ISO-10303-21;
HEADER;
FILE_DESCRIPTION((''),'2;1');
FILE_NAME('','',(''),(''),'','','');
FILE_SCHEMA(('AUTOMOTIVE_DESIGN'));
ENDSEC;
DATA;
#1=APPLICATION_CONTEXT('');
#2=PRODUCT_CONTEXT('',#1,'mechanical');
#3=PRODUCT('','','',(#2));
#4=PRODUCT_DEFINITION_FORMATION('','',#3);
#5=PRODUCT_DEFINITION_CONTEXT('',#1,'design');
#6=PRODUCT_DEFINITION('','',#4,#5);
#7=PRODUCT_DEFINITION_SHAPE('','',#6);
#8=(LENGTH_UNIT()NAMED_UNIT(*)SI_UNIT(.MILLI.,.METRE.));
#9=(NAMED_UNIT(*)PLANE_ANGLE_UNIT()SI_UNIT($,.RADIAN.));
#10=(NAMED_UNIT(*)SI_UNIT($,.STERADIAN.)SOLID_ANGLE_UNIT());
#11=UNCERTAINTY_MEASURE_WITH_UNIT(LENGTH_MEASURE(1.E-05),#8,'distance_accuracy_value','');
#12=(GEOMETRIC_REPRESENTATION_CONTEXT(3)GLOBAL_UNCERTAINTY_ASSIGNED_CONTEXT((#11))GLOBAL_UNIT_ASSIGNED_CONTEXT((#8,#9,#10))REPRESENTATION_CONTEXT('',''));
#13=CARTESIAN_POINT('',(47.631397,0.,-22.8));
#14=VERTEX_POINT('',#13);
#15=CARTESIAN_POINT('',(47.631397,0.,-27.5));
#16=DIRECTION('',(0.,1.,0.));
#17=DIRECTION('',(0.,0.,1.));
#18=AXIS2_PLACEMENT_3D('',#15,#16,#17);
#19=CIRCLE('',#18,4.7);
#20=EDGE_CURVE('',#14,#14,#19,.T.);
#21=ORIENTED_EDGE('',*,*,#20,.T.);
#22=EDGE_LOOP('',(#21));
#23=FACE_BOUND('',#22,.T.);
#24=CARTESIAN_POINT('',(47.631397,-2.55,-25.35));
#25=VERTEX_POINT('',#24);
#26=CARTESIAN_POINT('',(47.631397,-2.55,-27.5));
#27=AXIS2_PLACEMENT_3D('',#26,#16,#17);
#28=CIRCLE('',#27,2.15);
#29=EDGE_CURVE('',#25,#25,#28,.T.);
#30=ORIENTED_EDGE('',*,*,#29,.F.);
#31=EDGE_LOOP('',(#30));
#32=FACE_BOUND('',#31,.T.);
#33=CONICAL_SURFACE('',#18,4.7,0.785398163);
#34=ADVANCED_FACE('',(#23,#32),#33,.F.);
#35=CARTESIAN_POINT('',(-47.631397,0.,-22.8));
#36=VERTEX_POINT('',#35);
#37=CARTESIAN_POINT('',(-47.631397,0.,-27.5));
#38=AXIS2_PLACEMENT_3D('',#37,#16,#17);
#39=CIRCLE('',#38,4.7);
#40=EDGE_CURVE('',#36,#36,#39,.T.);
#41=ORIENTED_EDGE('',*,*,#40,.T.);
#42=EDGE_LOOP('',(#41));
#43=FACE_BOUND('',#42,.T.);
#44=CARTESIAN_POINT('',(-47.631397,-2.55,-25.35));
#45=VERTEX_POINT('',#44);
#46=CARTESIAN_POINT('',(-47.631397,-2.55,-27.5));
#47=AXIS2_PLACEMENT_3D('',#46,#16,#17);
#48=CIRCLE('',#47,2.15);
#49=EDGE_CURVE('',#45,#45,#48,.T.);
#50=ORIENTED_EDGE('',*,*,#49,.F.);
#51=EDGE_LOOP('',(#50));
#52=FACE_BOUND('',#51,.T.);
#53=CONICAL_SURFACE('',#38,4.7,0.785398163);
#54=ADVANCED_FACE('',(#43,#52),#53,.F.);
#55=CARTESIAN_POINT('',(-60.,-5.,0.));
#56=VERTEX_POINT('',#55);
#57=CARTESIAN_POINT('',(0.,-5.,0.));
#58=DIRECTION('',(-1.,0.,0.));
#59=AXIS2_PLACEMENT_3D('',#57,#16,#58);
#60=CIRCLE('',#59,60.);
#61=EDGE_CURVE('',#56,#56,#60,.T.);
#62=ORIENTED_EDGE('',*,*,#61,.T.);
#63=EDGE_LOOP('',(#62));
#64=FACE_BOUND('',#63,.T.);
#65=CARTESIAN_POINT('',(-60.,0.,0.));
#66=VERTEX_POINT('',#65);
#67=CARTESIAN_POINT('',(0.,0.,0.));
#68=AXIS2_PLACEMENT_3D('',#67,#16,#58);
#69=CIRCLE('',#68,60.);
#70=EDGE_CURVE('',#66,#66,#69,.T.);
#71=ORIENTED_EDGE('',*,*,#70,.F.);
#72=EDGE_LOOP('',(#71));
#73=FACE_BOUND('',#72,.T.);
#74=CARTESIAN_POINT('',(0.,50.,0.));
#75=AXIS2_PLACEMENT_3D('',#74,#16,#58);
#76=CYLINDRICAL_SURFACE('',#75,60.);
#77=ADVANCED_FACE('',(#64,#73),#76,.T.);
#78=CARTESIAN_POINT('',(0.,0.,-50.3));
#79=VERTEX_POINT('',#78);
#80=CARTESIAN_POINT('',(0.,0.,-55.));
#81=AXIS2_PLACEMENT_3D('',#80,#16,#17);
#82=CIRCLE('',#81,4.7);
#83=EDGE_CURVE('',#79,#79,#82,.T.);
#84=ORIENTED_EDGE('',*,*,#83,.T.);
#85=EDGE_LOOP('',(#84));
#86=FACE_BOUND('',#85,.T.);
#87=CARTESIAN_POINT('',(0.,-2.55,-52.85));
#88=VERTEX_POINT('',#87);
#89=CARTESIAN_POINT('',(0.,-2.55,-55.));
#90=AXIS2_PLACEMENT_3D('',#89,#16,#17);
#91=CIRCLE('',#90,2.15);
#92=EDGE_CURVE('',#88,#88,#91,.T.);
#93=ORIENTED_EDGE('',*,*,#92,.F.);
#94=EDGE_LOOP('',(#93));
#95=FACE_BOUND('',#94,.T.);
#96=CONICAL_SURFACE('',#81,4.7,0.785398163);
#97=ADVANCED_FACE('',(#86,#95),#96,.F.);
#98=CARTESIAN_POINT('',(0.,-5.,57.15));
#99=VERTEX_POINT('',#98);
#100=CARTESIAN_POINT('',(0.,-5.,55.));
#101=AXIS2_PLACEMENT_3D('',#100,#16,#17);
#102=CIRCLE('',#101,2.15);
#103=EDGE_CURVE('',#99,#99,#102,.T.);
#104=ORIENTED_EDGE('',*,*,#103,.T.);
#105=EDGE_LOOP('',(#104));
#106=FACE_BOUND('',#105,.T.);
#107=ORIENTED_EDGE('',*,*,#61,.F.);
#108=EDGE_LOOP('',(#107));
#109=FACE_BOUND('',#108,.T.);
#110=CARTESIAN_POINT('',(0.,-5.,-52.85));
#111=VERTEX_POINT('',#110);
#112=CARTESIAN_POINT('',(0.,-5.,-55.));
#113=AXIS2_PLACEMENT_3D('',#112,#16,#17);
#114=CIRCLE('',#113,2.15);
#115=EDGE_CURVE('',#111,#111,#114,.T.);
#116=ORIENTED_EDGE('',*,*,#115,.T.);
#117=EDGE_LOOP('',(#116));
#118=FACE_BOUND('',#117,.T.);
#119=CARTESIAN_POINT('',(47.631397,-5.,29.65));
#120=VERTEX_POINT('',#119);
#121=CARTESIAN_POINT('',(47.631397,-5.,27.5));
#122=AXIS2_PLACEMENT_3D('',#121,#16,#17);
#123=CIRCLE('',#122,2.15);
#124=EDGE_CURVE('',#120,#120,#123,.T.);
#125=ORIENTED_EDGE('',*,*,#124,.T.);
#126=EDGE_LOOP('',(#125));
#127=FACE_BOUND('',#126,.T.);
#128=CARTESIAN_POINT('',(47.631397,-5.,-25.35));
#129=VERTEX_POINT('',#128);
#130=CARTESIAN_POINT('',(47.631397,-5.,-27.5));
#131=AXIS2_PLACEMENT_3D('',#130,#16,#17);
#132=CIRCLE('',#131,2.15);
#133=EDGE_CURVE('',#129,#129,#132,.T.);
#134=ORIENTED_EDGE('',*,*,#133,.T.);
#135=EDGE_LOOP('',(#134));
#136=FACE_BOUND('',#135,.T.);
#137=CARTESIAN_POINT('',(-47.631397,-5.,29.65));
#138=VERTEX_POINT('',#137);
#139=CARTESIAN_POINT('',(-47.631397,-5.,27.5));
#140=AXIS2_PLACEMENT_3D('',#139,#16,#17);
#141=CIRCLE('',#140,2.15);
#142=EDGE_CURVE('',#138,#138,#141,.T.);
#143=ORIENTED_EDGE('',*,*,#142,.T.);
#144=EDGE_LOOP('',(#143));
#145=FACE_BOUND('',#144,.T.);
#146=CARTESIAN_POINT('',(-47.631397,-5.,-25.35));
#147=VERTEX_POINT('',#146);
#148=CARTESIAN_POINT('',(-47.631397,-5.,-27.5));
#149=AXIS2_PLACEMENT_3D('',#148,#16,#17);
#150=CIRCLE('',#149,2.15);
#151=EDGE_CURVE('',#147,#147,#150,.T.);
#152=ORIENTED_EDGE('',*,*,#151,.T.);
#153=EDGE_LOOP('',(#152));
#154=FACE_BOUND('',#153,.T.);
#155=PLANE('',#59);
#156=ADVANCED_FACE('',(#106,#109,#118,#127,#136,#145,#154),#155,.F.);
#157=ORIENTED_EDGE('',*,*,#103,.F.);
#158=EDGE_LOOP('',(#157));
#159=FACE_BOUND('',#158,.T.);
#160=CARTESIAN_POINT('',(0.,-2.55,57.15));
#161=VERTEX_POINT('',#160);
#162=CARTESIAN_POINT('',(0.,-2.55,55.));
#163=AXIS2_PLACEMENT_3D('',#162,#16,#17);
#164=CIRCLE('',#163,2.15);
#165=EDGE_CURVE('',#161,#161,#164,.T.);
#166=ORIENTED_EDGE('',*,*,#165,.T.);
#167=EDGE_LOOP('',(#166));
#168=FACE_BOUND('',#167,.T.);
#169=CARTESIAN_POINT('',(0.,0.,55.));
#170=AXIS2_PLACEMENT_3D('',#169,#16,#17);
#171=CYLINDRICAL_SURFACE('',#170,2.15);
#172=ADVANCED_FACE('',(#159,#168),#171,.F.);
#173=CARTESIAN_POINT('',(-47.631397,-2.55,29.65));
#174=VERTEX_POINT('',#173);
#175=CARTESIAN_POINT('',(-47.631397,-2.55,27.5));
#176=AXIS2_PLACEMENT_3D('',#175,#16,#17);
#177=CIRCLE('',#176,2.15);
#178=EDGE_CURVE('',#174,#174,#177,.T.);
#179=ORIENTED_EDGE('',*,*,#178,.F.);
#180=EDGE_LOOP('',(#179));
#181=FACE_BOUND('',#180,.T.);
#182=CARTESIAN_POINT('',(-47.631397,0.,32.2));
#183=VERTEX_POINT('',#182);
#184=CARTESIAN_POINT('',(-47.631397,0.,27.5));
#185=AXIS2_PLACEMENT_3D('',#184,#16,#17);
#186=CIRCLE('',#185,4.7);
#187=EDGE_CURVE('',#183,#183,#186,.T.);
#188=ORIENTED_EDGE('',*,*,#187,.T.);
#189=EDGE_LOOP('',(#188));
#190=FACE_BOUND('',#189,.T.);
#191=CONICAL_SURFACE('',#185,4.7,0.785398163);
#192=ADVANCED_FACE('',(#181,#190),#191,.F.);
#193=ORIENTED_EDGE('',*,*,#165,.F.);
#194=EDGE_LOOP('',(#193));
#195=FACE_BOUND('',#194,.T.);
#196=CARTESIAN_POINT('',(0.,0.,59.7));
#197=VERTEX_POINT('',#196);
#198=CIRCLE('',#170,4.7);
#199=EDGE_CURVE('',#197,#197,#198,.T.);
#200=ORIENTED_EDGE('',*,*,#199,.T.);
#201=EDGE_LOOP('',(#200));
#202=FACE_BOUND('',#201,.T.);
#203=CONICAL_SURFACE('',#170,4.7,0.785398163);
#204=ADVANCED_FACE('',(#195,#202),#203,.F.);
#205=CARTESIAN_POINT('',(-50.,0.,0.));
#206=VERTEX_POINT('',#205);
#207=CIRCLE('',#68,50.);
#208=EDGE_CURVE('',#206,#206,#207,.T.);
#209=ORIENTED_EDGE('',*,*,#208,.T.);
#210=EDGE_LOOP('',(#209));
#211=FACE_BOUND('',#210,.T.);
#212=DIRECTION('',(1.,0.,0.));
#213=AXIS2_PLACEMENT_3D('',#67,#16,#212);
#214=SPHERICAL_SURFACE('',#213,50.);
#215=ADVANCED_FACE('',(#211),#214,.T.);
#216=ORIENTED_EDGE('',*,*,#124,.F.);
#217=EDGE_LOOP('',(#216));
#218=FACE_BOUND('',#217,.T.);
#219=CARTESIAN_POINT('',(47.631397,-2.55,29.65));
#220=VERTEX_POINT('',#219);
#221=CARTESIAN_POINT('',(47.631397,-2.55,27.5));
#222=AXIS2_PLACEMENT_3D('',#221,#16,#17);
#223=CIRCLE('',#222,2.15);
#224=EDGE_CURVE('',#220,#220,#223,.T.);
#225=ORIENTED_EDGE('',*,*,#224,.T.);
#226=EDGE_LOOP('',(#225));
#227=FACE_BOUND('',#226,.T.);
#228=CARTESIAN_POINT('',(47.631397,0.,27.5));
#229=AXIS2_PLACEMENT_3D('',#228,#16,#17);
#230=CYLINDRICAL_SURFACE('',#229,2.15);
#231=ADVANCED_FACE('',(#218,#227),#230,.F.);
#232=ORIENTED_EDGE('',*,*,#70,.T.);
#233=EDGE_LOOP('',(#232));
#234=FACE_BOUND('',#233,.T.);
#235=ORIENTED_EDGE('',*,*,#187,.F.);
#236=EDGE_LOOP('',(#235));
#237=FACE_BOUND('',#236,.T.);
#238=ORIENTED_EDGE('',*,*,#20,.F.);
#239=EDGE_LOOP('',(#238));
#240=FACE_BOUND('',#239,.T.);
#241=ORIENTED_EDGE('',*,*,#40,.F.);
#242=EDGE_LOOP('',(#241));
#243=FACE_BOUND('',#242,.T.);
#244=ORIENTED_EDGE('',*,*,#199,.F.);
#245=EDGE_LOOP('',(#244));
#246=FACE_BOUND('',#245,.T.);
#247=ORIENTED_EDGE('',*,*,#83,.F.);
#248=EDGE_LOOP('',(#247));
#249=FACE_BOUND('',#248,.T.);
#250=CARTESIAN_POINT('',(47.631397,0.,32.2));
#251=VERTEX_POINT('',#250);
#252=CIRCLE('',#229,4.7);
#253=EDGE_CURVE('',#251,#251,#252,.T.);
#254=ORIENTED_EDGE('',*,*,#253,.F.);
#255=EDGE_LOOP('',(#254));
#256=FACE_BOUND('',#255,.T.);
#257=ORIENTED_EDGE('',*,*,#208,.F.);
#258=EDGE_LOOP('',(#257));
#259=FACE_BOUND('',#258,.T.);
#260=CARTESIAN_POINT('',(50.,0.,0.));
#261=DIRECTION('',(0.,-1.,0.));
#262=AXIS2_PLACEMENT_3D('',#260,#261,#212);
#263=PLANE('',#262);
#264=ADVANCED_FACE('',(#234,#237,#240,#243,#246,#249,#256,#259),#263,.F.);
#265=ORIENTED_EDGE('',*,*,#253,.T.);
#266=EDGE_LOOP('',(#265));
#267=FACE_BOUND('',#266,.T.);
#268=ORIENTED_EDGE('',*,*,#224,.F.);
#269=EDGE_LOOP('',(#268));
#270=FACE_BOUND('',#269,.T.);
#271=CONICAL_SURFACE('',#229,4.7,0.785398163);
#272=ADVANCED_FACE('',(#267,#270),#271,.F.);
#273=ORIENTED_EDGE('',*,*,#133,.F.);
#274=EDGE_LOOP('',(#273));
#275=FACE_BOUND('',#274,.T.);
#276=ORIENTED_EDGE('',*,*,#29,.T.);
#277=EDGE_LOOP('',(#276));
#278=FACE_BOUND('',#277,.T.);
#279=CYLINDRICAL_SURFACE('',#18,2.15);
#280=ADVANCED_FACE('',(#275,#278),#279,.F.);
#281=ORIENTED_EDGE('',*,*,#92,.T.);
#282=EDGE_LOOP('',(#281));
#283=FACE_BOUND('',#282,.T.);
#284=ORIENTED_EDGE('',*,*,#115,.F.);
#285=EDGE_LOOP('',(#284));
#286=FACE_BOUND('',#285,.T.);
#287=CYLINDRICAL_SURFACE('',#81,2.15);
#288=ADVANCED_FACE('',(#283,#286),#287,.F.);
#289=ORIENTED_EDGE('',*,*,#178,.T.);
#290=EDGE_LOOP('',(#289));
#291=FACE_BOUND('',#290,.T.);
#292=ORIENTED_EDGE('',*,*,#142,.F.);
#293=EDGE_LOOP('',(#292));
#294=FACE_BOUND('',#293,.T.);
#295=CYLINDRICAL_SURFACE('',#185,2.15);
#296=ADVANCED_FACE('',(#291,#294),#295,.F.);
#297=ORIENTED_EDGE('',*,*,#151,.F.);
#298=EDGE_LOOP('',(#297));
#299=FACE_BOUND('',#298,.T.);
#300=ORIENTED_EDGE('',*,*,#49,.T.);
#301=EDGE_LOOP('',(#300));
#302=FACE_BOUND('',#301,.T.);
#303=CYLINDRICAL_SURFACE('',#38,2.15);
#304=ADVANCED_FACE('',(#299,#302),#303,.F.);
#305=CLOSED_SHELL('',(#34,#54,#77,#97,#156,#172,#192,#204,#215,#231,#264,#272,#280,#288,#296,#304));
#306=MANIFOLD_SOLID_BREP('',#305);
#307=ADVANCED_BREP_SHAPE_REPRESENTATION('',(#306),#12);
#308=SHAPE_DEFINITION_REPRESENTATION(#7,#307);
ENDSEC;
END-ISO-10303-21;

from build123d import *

# Parameters (mm, degrees)
CSK_FOR_M4_COUNTERSUNK_FLAT_HEAD_SCREW1_D           = 4.3
CSK_FOR_M4_COUNTERSUNK_FLAT_HEAD_SCREW1_CSINK_D     = 9.4
CSK_FOR_M4_COUNTERSUNK_FLAT_HEAD_SCREW1_CSINK_ANGLE = 90
PATTERN_CIRCULAR_1_COUNT                            = 6


with BuildPart() as part:
    # Эскиз1 → Повернуть1 (revolve)
    with BuildSketch(Plane.XY):
        with BuildLine():
            Line((0, -5), (60, -5))
            Line((60, -5), (60, 0))
            Line((60, 0), (50, 0))
            ThreePointArc((50, 0), (35.355339059, 35.355339059), (0, 50))
            Line((0, 50), (0, -5))
        make_face()
    revolve(axis=Axis((0, 50, 0), (0, -1, 0)))

    # CSK for M4 Countersunk Flat Head Screw1 (through all)
    with Locations(Plane(origin=(0, 0, -55), x_dir=(1, 0, 0), z_dir=(0, 1, 0))):
        with Locations((0, 0)):
            csk_for_m4_countersunk_flat_head_screw1 = CounterSinkHole(CSK_FOR_M4_COUNTERSUNK_FLAT_HEAD_SCREW1_D / 2, CSK_FOR_M4_COUNTERSUNK_FLAT_HEAD_SCREW1_CSINK_D / 2, counter_sink_angle=CSK_FOR_M4_COUNTERSUNK_FLAT_HEAD_SCREW1_CSINK_ANGLE)

    # Круговой массив1: CSK for M4 Countersunk Flat Head Screw1 ×6 about axis
    pattern_circular_1_axis = Axis((0, 61.603142777, 0), (0, -1, 0))
    for i in range(1, PATTERN_CIRCULAR_1_COUNT):
        add(csk_for_m4_countersunk_flat_head_screw1.rotate(pattern_circular_1_axis, i * 360 / PATTERN_CIRCULAR_1_COUNT), mode=Mode.SUBTRACT)


solid = part.part
